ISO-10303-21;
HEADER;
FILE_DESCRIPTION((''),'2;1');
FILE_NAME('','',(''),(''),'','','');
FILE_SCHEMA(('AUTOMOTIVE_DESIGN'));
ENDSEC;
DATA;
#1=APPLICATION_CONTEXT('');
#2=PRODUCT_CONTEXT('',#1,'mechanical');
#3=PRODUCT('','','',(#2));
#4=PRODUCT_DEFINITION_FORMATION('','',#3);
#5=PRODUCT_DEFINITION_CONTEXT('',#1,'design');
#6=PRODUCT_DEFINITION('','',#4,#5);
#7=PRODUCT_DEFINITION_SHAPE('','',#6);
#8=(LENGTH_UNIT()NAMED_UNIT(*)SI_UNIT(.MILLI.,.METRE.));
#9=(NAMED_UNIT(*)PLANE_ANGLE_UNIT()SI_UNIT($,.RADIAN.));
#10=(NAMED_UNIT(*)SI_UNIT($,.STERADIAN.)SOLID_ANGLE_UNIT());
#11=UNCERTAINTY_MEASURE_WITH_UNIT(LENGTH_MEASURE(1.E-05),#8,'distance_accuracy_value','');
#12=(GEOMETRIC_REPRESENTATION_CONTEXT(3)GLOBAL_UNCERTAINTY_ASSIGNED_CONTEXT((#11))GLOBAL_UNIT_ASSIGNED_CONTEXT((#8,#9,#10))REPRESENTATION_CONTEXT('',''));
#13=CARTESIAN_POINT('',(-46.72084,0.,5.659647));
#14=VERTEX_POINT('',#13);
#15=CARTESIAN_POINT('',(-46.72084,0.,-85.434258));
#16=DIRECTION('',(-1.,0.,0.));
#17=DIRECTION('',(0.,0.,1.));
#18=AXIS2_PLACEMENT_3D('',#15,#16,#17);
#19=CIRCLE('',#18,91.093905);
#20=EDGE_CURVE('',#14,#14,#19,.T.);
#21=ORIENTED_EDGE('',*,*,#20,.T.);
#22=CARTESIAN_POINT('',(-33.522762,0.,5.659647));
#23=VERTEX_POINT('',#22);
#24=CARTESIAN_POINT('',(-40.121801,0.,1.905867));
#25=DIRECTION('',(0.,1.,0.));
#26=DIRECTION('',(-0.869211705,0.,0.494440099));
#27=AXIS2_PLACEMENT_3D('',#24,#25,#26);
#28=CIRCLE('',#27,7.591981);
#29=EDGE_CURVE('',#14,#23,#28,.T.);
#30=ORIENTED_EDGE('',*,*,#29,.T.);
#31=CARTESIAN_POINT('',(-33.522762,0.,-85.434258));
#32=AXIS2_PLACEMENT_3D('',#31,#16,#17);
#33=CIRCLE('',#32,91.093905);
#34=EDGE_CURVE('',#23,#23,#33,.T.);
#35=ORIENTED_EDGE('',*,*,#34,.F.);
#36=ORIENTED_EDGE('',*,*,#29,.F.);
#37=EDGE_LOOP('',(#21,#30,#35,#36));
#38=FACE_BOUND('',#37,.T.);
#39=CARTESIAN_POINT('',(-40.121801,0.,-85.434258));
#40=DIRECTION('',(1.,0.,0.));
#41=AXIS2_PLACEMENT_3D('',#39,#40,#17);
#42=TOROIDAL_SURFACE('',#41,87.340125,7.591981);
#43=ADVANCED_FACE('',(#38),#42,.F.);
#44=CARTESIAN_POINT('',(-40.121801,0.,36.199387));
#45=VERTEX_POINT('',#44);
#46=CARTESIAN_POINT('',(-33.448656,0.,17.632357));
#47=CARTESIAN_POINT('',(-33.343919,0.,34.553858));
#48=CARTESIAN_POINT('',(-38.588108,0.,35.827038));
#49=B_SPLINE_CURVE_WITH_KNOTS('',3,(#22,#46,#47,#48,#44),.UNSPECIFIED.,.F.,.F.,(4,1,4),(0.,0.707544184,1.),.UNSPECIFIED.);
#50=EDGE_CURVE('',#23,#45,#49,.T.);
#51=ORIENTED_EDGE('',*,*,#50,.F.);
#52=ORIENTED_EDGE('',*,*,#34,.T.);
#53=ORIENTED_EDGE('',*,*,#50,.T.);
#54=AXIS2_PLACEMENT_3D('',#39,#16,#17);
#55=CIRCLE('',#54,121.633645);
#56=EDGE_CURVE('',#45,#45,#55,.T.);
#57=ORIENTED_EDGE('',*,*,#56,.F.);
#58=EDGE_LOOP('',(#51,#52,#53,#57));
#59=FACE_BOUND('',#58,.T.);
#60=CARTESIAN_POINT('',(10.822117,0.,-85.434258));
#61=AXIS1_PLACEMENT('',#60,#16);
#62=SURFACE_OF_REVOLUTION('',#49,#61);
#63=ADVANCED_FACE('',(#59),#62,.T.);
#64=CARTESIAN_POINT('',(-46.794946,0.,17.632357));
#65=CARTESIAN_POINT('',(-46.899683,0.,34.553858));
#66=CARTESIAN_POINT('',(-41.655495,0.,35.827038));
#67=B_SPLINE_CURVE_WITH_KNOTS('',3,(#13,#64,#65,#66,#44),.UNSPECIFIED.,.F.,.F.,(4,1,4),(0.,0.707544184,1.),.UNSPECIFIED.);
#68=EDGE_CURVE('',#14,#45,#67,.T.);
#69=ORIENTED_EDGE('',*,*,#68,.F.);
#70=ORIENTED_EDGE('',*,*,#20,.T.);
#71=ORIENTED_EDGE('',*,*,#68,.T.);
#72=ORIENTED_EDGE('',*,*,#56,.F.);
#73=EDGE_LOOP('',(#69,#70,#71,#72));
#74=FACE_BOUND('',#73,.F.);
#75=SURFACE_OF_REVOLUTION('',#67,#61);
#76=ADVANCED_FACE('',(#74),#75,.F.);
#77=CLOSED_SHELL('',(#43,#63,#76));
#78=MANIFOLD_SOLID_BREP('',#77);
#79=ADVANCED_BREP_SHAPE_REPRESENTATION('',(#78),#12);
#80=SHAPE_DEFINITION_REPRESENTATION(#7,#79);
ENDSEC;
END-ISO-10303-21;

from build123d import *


with BuildPart() as f2:
    # F0 (on Front) → F2 (revolve)
    with BuildSketch(Plane.XZ):
        with BuildLine():
            add(Edge.make_bspline(
                [(-46.7208400369, 5.6596468203), (-46.7949461025, 17.6323565094), (-46.8996831173, 34.5538576238), (-41.655494625, 35.827038121), (-40.1218011975, 36.1993871629)],
                knots=[0, 0, 0, 0, 0.7075441835, 1, 1, 1, 1], degree=3))
            ThreePointArc((-46.7208400369, 5.6596468203), (-40.1218011975, 9.4978480338), (-33.5227623582, 5.6596468203))
            add(Edge.make_bspline(
                [(-33.5227623582, 5.6596468203), (-33.4486562926, 17.6323565094), (-33.3439192778, 34.5538576238), (-38.58810777, 35.827038121), (-40.1218011975, 36.1993871629)],
                knots=[0, 0, 0, 0, 0.7075441835, 1, 1, 1, 1], degree=3))
        make_face()
    revolve(axis=Axis((10.8221173286, 0, -85.4342579842), (-1, 0, 0)))


solid = f2.part
